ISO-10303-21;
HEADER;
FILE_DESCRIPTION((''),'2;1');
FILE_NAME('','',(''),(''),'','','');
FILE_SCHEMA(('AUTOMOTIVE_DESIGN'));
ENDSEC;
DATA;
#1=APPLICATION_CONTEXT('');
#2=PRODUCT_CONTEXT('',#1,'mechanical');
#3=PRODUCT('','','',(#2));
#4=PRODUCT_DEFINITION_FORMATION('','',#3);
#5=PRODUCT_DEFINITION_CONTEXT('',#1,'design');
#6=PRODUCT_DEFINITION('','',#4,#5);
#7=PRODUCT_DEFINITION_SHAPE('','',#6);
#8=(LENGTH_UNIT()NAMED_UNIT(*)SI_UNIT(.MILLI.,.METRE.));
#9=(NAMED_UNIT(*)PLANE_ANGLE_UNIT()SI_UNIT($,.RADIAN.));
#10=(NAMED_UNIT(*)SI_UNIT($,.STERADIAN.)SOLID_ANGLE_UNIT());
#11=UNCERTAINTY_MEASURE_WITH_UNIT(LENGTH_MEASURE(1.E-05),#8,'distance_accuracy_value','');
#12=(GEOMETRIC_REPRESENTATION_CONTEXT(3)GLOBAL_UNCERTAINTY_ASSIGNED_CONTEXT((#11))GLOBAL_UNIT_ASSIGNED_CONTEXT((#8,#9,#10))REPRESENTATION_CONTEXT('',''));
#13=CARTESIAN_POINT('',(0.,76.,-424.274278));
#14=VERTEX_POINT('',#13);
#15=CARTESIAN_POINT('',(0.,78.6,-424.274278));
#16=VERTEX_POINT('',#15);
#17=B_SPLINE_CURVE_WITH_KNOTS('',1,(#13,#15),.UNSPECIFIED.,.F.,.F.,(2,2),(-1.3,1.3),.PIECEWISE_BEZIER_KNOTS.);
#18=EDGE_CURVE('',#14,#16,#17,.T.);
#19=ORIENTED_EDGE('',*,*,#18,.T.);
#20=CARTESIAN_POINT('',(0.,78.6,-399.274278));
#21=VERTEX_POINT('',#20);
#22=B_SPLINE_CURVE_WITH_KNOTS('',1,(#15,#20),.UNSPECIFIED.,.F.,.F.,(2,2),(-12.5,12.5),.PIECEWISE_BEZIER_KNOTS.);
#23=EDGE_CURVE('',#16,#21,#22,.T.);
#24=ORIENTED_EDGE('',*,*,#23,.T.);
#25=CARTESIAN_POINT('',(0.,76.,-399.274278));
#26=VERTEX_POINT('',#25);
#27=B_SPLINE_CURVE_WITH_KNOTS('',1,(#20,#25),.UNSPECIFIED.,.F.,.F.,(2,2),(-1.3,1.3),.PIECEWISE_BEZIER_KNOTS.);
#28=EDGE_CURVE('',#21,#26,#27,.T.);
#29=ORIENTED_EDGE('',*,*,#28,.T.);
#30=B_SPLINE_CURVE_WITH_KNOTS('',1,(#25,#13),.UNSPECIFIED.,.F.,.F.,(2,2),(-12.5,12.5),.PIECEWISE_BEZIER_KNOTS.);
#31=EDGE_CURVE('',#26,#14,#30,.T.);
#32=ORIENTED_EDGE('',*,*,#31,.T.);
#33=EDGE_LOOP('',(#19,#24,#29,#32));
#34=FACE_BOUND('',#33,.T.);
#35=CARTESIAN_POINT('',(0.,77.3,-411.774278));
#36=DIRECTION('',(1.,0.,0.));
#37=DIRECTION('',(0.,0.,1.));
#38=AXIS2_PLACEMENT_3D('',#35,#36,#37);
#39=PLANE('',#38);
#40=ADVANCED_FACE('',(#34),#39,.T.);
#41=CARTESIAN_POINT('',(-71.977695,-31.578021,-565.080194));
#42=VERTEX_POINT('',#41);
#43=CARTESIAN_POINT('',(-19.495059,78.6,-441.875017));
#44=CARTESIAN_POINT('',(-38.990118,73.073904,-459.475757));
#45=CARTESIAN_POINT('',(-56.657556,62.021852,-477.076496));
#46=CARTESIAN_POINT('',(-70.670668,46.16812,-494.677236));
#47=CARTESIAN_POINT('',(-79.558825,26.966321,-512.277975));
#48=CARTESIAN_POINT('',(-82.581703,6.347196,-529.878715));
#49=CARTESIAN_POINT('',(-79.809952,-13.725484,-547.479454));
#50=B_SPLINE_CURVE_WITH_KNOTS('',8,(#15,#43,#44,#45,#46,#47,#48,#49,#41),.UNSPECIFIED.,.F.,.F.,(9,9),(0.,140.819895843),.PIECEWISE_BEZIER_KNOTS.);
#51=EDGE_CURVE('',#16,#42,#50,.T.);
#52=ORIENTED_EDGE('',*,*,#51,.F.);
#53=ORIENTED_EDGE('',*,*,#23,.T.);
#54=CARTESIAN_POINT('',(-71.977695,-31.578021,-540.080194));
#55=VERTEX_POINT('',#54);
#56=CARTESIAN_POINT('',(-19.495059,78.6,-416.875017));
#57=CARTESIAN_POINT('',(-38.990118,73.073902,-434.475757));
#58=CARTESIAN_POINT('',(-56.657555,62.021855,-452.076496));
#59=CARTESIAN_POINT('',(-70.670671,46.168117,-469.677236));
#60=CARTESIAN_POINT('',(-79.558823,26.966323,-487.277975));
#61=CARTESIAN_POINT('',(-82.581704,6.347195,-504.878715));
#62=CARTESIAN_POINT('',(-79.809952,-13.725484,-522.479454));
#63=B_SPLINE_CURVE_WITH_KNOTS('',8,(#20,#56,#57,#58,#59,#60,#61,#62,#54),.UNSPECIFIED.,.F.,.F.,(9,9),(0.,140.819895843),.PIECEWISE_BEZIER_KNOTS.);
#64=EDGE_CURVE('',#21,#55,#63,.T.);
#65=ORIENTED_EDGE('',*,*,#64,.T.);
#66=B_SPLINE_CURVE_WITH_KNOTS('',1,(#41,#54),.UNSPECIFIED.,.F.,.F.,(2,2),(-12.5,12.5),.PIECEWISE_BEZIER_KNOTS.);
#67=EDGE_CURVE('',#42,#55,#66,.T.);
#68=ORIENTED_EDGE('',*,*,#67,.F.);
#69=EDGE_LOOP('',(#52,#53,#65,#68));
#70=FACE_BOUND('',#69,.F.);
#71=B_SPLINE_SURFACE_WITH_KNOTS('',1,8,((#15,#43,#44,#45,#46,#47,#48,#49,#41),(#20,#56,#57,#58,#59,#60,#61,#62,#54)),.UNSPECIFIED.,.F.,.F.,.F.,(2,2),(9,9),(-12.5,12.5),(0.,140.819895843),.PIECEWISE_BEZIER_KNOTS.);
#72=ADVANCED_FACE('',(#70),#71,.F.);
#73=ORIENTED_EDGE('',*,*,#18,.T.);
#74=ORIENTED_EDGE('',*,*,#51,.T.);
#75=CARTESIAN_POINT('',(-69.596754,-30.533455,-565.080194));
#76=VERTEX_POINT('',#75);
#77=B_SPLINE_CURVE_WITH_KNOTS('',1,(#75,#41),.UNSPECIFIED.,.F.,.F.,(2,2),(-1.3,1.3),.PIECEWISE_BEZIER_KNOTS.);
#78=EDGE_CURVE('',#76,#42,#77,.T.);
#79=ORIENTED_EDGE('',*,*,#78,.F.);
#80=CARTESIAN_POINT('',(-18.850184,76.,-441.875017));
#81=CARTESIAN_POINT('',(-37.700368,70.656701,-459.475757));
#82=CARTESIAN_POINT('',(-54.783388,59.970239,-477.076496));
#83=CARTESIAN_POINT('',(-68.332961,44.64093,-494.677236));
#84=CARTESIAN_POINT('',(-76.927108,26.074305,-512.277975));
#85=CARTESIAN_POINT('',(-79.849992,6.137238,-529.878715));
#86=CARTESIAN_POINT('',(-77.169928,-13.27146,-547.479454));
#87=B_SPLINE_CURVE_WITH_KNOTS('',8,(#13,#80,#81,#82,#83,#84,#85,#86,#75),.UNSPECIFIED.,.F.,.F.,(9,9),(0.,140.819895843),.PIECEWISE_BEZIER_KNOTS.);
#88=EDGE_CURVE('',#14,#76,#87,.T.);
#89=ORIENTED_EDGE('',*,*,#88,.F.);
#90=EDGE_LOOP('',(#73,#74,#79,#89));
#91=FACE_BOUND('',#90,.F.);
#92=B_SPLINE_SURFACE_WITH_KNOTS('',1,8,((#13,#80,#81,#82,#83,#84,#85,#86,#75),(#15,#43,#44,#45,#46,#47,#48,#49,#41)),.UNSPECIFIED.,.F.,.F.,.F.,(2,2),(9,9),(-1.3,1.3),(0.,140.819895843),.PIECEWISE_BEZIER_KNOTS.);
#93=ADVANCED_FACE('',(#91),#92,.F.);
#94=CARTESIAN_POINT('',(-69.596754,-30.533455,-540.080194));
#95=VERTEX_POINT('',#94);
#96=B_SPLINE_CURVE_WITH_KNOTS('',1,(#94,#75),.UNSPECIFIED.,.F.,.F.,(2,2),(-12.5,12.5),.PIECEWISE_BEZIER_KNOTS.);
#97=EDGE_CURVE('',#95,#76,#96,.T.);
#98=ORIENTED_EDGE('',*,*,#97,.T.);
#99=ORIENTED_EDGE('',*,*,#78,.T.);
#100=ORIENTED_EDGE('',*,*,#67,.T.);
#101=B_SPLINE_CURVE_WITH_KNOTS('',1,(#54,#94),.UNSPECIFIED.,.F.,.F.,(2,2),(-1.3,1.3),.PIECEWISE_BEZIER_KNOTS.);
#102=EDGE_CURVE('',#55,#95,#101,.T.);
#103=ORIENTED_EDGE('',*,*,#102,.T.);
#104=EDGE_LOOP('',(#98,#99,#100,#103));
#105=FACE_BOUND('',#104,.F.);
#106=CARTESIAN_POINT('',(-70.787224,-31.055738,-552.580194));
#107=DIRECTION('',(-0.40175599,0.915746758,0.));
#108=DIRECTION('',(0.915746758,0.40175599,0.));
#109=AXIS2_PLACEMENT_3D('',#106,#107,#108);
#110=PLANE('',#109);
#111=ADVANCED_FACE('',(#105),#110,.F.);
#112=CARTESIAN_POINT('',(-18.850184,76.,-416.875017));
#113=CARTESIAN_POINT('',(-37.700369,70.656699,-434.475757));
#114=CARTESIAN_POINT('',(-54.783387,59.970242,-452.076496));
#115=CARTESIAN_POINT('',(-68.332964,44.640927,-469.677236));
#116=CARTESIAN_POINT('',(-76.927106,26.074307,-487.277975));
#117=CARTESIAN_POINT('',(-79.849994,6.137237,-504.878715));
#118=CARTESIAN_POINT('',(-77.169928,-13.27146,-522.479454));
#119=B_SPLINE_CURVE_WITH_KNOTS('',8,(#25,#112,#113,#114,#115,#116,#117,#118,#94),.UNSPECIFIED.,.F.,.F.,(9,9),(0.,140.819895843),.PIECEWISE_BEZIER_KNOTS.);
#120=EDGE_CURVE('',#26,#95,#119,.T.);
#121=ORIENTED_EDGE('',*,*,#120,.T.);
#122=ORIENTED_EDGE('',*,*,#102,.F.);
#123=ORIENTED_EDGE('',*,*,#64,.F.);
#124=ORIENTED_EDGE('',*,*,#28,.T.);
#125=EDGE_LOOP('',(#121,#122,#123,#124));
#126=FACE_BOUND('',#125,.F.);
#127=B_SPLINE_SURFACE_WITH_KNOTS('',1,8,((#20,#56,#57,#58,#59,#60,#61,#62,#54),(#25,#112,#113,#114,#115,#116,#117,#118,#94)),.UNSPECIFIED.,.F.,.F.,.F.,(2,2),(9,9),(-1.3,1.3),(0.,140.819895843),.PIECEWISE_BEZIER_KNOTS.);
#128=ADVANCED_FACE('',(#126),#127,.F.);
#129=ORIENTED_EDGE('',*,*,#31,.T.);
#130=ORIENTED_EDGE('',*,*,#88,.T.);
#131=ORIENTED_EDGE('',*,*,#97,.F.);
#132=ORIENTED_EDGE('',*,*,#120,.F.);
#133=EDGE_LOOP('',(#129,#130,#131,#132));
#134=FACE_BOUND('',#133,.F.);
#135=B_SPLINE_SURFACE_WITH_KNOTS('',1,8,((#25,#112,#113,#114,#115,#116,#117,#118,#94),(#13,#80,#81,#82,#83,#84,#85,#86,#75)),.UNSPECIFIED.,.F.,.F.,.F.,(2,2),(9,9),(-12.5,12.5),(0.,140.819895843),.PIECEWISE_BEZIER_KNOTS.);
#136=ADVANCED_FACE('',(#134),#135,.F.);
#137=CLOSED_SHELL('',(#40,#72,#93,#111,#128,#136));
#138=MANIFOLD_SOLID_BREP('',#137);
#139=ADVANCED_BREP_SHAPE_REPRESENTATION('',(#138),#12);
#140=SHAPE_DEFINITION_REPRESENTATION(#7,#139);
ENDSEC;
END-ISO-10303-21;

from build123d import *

# Parameters (mm, degrees)
SWEEP1_PITCH       = 445.870537374
SWEEP1_HEIGHT      = 140.805915703
SWEEP1_RADIUS      = 76
SWEEP1_START_ANGLE = 90
SKETCH2_W          = 25
SKETCH2_H          = 2.6


with BuildPart() as part:
    # Sweep1: sweep along a helix
    with BuildLine() as sweep1_path:
        add(Helix(SWEEP1_PITCH, SWEEP1_HEIGHT, SWEEP1_RADIUS, center=(0, 0, -411.77427784), direction=(0, 0, -1), lefthand=True, mode=Mode.PRIVATE).rotate(Axis((0, 0, -411.77427784), (0, 0, -1)), SWEEP1_START_ANGLE))
    # Sketch2 → Sweep1 (sweep)
    with BuildSketch(Plane(origin=(0, 0, 0), x_dir=(0, 0, -1), z_dir=(1, 0, 0))):
        with Locations((411.77427784, 77.3)):
            Rectangle(SKETCH2_W, SKETCH2_H)
    sweep(path=sweep1_path.line, is_frenet=True)


solid = part.part
